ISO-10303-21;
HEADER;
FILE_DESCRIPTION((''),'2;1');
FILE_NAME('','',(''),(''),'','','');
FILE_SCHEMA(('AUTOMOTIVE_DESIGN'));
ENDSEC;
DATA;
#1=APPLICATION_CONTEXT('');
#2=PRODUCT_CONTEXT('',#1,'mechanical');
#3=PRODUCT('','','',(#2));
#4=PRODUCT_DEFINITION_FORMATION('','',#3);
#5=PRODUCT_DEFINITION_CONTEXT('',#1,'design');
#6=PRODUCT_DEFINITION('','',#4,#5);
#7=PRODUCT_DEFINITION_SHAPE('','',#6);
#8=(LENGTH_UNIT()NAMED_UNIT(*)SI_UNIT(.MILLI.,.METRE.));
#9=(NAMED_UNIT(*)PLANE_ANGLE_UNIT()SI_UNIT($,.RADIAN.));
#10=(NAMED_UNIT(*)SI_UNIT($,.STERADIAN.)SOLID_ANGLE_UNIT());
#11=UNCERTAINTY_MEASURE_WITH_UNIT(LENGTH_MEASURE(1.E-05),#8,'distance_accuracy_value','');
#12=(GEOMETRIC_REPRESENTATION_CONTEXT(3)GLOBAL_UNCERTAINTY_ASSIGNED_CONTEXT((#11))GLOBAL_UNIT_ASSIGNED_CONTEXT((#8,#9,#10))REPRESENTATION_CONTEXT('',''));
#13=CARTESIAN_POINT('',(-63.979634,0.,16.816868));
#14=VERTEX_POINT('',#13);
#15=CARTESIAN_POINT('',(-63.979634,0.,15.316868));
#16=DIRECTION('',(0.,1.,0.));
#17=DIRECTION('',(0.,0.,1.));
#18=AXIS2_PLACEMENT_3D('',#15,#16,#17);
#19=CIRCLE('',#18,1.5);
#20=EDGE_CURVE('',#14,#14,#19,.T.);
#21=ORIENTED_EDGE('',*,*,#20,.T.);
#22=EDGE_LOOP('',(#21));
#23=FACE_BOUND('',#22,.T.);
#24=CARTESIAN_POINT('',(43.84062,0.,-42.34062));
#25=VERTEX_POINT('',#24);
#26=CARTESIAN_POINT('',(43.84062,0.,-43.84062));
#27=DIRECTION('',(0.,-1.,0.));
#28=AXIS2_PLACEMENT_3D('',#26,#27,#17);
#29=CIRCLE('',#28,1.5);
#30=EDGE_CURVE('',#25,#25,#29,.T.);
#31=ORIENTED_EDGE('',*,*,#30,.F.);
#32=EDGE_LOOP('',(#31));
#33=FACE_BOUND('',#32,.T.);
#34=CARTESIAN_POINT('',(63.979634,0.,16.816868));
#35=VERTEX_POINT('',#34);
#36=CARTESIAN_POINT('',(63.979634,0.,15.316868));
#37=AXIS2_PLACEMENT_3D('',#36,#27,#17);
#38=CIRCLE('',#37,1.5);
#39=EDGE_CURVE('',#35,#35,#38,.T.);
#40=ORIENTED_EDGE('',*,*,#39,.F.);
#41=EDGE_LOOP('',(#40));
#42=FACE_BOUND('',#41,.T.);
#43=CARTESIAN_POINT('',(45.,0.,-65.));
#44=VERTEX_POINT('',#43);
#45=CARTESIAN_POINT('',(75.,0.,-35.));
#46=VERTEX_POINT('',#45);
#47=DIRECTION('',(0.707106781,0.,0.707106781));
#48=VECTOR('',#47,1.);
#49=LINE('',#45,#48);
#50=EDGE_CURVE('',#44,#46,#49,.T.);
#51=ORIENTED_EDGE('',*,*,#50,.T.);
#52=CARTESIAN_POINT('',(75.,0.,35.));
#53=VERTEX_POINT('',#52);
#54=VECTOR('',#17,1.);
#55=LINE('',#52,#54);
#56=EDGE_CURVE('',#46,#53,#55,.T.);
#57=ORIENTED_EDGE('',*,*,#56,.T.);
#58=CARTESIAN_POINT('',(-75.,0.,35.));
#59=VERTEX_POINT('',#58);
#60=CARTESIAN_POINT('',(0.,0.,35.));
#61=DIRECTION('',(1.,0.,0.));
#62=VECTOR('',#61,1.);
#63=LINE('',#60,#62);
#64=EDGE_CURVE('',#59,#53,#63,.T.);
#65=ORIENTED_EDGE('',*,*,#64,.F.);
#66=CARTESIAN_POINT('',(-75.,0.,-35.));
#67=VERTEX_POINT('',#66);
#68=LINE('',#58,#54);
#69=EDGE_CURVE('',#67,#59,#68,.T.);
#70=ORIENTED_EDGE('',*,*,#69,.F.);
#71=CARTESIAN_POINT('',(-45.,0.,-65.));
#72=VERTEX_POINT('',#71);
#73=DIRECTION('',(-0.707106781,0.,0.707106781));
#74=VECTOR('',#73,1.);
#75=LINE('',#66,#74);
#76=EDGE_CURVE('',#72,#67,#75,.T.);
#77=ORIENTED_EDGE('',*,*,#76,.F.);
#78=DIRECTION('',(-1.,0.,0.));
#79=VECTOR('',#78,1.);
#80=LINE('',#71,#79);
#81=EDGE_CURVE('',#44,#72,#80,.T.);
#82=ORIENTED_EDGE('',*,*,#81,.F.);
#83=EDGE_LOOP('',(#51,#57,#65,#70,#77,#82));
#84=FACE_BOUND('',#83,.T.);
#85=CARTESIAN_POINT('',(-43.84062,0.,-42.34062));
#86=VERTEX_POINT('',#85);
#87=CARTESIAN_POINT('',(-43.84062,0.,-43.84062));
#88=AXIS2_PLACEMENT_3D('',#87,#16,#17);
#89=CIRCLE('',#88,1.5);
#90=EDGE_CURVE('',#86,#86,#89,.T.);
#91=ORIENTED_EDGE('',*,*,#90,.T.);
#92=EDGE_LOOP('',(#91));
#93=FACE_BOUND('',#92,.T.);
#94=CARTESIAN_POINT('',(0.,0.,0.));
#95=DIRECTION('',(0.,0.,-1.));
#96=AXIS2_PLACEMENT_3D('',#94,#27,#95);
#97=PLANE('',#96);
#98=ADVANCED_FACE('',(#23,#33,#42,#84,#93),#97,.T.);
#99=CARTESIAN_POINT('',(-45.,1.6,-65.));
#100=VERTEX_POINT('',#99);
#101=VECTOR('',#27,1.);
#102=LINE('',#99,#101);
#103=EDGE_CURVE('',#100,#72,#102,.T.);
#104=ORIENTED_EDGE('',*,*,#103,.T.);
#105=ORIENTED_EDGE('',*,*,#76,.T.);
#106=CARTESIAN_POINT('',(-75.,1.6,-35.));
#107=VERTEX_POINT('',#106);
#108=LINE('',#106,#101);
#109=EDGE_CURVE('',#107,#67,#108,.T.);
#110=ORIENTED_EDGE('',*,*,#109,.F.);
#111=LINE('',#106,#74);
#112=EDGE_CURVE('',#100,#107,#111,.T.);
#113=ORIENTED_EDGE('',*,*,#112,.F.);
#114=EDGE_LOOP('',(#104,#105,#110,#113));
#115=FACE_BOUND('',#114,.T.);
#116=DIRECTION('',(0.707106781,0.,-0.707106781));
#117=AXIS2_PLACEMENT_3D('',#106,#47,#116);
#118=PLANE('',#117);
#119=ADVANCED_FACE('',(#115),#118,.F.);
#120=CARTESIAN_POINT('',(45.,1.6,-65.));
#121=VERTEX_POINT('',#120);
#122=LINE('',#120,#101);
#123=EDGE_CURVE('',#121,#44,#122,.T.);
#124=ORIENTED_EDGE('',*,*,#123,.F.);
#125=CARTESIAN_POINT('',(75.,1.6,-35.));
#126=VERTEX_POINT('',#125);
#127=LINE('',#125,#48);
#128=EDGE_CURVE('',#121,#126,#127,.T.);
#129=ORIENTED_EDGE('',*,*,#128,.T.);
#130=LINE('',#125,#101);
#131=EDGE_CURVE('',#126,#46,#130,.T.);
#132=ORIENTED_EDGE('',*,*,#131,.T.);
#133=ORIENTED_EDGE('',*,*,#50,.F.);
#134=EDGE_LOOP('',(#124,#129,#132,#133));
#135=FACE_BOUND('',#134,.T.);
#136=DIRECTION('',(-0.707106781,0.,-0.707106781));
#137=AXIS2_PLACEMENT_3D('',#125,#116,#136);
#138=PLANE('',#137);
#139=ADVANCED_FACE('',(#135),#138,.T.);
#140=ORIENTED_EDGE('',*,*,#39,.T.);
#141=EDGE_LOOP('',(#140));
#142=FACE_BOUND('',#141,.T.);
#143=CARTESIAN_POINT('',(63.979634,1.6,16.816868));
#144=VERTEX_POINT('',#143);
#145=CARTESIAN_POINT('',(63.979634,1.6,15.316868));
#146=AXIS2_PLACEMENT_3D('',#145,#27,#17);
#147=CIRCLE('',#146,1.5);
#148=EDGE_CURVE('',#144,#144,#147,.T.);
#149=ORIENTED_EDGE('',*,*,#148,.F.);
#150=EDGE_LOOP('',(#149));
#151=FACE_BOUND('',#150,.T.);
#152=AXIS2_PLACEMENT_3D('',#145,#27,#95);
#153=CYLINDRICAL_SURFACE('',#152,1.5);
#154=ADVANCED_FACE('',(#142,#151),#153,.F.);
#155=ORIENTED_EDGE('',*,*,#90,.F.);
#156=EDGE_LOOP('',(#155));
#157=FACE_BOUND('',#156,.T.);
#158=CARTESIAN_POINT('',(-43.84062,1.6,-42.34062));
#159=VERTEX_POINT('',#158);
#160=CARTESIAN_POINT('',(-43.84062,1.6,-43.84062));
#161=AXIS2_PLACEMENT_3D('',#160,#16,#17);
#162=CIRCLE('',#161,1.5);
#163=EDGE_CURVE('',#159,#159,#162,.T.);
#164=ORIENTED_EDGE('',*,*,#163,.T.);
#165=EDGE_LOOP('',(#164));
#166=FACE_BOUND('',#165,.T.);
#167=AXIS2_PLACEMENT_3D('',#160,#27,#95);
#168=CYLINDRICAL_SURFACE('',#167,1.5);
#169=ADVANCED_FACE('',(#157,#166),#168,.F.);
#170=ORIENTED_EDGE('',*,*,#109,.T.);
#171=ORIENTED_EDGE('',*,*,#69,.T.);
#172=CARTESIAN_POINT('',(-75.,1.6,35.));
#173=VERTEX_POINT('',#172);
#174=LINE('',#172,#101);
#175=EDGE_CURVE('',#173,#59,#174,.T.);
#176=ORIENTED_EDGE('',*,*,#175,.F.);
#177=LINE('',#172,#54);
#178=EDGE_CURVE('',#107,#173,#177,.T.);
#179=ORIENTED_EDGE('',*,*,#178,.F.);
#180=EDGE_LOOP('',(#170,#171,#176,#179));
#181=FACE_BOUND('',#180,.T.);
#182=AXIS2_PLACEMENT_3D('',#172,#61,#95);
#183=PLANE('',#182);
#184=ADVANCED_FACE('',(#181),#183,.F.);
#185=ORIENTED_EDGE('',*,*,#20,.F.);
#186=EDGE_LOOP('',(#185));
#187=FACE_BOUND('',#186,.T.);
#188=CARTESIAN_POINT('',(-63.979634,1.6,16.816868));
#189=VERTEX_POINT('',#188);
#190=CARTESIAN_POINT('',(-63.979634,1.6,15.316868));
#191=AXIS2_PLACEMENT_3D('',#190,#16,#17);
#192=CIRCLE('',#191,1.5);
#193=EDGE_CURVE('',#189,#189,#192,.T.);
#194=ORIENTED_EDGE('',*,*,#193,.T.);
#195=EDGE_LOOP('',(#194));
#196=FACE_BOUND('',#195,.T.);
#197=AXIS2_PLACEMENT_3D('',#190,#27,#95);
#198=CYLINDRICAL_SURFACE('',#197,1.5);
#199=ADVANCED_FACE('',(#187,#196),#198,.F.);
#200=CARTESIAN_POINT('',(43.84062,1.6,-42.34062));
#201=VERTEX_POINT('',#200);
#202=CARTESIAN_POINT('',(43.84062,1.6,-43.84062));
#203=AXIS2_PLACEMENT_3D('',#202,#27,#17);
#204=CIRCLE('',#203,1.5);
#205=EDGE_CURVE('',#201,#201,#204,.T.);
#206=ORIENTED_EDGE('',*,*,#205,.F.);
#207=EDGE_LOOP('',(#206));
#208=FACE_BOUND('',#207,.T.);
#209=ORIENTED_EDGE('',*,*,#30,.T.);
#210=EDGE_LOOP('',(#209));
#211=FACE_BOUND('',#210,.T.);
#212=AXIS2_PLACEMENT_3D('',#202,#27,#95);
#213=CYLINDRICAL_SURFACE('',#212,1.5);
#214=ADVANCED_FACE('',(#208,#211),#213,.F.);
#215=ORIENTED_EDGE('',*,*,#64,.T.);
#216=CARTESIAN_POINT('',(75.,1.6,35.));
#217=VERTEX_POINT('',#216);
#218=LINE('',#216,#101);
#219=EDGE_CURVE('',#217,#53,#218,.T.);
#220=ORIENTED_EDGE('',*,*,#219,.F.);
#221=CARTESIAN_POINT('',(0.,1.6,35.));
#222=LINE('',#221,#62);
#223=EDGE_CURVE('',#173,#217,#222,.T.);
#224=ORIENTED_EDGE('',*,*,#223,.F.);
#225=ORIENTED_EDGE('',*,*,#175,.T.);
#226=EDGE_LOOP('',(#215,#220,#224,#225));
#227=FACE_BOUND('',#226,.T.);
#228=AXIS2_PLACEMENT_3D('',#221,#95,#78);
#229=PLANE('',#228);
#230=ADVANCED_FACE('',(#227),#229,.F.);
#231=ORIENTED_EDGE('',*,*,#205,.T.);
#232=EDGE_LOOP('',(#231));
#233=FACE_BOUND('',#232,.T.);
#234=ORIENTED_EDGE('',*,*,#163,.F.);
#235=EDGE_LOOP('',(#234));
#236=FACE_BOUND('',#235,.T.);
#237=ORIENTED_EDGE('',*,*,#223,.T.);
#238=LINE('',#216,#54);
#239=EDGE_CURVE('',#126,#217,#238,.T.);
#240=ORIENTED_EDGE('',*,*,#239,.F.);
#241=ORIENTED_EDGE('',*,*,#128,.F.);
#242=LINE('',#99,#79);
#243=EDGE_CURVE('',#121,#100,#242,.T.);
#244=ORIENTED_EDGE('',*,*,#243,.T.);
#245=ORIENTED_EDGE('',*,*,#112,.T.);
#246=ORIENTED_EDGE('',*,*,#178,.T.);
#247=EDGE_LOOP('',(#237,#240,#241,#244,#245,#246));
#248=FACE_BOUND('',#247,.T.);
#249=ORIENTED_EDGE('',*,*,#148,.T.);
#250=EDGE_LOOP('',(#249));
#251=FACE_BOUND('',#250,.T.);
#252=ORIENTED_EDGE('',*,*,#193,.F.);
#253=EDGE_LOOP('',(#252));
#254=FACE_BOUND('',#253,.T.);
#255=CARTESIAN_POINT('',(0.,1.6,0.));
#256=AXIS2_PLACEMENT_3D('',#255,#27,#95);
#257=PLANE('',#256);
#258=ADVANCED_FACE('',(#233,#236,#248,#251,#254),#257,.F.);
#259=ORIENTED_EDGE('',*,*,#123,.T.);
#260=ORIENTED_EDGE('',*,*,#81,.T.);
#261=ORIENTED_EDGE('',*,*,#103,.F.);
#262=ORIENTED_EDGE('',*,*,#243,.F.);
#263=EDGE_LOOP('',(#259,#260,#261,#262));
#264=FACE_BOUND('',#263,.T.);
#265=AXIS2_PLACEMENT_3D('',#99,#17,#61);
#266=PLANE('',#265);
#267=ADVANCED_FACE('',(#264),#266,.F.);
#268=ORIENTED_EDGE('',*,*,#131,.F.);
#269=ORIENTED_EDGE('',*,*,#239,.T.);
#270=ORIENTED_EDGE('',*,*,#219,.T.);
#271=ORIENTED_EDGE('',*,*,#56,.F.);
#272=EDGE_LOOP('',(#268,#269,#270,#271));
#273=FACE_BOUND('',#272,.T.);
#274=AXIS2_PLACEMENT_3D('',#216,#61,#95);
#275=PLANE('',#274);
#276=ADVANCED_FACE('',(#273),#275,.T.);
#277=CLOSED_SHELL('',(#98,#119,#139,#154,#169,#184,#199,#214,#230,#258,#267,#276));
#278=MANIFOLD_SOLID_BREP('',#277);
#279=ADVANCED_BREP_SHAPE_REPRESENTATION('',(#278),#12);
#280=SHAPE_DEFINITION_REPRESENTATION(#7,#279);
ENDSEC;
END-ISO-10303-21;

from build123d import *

# Parameters (mm, degrees)
SKETCH1_R           = 1.5
BOSS_EXTRUDE1_DEPTH = 1.6


with BuildPart() as part:
    # Sketch1 → Boss-Extrude1 (new body)
    with BuildSketch(Plane(origin=(0, 0, 0), x_dir=(1, 0, 0), z_dir=(0, 1, 0))):
        Polygon((-75, -35), (-75, 35), (-45, 65), (0, 65), (0, -35), align=None)
        with Locations((-43.840620434, 43.840620434)):
            Circle(SKETCH1_R, mode=Mode.SUBTRACT)
        with Locations((-63.979633983, -15.316867676)):
            Circle(SKETCH1_R, mode=Mode.SUBTRACT)
    boss_extrude1 = extrude(amount=BOSS_EXTRUDE1_DEPTH)

    # Mirror1: Boss-Extrude1 across plane
    add(boss_extrude1.mirror(Plane(origin=(0, 1.6, 35), x_dir=(0, 0, 1), z_dir=(-1, 0, 0))))


solid = part.part
